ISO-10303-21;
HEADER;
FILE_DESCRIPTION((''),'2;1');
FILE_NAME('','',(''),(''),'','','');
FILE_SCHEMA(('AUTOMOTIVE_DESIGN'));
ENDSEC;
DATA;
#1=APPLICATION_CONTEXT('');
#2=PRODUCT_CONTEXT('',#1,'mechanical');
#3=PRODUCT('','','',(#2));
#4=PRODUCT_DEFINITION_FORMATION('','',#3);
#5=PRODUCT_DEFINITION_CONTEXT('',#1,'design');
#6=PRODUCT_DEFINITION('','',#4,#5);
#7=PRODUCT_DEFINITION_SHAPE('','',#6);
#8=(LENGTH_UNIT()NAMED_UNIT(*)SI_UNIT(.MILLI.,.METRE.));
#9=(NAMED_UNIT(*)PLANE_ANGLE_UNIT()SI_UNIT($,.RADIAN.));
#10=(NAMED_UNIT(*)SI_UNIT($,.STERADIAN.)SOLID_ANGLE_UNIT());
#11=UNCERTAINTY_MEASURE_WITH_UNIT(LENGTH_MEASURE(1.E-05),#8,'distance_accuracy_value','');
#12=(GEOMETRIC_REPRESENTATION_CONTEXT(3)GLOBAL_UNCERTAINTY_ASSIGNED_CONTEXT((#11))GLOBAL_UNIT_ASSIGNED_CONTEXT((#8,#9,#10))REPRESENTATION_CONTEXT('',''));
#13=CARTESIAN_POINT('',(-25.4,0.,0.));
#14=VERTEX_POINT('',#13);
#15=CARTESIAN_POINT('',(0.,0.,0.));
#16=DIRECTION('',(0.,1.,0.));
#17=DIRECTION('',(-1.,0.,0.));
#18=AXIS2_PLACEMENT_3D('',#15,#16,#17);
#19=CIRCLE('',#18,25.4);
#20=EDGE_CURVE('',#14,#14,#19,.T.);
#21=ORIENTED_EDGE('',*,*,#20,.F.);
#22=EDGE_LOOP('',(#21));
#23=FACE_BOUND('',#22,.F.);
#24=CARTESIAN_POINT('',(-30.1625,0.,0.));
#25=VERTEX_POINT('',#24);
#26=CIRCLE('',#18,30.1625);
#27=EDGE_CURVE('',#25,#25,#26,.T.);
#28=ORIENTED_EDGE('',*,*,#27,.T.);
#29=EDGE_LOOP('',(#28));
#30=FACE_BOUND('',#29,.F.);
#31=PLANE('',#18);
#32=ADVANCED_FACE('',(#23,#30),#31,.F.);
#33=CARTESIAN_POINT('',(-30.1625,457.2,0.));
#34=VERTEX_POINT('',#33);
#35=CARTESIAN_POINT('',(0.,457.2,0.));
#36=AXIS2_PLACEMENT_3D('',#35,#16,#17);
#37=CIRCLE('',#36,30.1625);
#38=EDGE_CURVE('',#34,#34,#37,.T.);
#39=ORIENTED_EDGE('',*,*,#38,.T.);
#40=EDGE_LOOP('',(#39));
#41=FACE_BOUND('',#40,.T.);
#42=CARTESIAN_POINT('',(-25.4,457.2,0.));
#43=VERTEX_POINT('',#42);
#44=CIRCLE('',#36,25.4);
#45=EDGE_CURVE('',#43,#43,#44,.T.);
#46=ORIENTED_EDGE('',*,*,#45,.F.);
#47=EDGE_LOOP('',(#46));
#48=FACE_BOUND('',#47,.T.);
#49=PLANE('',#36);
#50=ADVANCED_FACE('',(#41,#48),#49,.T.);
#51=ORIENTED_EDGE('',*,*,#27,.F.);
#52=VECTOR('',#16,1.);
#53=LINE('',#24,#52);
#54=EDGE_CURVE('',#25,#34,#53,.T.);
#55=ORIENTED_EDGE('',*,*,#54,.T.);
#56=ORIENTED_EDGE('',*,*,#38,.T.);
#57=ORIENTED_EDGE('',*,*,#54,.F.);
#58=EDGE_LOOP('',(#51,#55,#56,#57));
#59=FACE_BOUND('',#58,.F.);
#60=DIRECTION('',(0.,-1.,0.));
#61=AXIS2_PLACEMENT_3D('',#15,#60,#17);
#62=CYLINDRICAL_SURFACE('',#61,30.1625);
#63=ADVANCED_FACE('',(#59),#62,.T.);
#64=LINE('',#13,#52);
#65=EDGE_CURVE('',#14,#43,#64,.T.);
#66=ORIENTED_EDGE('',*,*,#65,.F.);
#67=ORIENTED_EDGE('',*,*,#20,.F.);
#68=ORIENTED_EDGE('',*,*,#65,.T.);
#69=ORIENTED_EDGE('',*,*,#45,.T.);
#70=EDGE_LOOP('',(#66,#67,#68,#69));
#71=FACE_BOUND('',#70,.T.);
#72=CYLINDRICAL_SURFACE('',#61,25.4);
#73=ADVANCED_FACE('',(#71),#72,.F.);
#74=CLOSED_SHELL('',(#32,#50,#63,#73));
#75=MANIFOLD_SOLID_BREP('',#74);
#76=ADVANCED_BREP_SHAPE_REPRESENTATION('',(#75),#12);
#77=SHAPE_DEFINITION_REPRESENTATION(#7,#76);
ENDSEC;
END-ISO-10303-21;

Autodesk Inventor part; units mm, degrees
ref_plane "YZ Plane" through (0, 0, 0) normal (1, 0, 0) x (0, 1, 0)
ref_plane "XZ Plane" through (0, 0, 0) normal (0, 1, 0) x (-1, 0, 0)
ref_plane "XY Plane" through (0, 0, 0) normal (0, 0, 1) x (1, 0, 0)
sketch "Sketch1" plane through (0, 0, 0) normal (0, 1, 0) x (-1, 0, 0)
  circle A0 centre (0, 0) radius 25.4
  circle A1 centre (0, 0) radius 30.1625
  dimension "d0" = 50.8
  dimension "d1" = 60.325
extrude "Extrusion1" add sketch "Sketch1" along normal blind 457.2
properties part number "Barrel"
